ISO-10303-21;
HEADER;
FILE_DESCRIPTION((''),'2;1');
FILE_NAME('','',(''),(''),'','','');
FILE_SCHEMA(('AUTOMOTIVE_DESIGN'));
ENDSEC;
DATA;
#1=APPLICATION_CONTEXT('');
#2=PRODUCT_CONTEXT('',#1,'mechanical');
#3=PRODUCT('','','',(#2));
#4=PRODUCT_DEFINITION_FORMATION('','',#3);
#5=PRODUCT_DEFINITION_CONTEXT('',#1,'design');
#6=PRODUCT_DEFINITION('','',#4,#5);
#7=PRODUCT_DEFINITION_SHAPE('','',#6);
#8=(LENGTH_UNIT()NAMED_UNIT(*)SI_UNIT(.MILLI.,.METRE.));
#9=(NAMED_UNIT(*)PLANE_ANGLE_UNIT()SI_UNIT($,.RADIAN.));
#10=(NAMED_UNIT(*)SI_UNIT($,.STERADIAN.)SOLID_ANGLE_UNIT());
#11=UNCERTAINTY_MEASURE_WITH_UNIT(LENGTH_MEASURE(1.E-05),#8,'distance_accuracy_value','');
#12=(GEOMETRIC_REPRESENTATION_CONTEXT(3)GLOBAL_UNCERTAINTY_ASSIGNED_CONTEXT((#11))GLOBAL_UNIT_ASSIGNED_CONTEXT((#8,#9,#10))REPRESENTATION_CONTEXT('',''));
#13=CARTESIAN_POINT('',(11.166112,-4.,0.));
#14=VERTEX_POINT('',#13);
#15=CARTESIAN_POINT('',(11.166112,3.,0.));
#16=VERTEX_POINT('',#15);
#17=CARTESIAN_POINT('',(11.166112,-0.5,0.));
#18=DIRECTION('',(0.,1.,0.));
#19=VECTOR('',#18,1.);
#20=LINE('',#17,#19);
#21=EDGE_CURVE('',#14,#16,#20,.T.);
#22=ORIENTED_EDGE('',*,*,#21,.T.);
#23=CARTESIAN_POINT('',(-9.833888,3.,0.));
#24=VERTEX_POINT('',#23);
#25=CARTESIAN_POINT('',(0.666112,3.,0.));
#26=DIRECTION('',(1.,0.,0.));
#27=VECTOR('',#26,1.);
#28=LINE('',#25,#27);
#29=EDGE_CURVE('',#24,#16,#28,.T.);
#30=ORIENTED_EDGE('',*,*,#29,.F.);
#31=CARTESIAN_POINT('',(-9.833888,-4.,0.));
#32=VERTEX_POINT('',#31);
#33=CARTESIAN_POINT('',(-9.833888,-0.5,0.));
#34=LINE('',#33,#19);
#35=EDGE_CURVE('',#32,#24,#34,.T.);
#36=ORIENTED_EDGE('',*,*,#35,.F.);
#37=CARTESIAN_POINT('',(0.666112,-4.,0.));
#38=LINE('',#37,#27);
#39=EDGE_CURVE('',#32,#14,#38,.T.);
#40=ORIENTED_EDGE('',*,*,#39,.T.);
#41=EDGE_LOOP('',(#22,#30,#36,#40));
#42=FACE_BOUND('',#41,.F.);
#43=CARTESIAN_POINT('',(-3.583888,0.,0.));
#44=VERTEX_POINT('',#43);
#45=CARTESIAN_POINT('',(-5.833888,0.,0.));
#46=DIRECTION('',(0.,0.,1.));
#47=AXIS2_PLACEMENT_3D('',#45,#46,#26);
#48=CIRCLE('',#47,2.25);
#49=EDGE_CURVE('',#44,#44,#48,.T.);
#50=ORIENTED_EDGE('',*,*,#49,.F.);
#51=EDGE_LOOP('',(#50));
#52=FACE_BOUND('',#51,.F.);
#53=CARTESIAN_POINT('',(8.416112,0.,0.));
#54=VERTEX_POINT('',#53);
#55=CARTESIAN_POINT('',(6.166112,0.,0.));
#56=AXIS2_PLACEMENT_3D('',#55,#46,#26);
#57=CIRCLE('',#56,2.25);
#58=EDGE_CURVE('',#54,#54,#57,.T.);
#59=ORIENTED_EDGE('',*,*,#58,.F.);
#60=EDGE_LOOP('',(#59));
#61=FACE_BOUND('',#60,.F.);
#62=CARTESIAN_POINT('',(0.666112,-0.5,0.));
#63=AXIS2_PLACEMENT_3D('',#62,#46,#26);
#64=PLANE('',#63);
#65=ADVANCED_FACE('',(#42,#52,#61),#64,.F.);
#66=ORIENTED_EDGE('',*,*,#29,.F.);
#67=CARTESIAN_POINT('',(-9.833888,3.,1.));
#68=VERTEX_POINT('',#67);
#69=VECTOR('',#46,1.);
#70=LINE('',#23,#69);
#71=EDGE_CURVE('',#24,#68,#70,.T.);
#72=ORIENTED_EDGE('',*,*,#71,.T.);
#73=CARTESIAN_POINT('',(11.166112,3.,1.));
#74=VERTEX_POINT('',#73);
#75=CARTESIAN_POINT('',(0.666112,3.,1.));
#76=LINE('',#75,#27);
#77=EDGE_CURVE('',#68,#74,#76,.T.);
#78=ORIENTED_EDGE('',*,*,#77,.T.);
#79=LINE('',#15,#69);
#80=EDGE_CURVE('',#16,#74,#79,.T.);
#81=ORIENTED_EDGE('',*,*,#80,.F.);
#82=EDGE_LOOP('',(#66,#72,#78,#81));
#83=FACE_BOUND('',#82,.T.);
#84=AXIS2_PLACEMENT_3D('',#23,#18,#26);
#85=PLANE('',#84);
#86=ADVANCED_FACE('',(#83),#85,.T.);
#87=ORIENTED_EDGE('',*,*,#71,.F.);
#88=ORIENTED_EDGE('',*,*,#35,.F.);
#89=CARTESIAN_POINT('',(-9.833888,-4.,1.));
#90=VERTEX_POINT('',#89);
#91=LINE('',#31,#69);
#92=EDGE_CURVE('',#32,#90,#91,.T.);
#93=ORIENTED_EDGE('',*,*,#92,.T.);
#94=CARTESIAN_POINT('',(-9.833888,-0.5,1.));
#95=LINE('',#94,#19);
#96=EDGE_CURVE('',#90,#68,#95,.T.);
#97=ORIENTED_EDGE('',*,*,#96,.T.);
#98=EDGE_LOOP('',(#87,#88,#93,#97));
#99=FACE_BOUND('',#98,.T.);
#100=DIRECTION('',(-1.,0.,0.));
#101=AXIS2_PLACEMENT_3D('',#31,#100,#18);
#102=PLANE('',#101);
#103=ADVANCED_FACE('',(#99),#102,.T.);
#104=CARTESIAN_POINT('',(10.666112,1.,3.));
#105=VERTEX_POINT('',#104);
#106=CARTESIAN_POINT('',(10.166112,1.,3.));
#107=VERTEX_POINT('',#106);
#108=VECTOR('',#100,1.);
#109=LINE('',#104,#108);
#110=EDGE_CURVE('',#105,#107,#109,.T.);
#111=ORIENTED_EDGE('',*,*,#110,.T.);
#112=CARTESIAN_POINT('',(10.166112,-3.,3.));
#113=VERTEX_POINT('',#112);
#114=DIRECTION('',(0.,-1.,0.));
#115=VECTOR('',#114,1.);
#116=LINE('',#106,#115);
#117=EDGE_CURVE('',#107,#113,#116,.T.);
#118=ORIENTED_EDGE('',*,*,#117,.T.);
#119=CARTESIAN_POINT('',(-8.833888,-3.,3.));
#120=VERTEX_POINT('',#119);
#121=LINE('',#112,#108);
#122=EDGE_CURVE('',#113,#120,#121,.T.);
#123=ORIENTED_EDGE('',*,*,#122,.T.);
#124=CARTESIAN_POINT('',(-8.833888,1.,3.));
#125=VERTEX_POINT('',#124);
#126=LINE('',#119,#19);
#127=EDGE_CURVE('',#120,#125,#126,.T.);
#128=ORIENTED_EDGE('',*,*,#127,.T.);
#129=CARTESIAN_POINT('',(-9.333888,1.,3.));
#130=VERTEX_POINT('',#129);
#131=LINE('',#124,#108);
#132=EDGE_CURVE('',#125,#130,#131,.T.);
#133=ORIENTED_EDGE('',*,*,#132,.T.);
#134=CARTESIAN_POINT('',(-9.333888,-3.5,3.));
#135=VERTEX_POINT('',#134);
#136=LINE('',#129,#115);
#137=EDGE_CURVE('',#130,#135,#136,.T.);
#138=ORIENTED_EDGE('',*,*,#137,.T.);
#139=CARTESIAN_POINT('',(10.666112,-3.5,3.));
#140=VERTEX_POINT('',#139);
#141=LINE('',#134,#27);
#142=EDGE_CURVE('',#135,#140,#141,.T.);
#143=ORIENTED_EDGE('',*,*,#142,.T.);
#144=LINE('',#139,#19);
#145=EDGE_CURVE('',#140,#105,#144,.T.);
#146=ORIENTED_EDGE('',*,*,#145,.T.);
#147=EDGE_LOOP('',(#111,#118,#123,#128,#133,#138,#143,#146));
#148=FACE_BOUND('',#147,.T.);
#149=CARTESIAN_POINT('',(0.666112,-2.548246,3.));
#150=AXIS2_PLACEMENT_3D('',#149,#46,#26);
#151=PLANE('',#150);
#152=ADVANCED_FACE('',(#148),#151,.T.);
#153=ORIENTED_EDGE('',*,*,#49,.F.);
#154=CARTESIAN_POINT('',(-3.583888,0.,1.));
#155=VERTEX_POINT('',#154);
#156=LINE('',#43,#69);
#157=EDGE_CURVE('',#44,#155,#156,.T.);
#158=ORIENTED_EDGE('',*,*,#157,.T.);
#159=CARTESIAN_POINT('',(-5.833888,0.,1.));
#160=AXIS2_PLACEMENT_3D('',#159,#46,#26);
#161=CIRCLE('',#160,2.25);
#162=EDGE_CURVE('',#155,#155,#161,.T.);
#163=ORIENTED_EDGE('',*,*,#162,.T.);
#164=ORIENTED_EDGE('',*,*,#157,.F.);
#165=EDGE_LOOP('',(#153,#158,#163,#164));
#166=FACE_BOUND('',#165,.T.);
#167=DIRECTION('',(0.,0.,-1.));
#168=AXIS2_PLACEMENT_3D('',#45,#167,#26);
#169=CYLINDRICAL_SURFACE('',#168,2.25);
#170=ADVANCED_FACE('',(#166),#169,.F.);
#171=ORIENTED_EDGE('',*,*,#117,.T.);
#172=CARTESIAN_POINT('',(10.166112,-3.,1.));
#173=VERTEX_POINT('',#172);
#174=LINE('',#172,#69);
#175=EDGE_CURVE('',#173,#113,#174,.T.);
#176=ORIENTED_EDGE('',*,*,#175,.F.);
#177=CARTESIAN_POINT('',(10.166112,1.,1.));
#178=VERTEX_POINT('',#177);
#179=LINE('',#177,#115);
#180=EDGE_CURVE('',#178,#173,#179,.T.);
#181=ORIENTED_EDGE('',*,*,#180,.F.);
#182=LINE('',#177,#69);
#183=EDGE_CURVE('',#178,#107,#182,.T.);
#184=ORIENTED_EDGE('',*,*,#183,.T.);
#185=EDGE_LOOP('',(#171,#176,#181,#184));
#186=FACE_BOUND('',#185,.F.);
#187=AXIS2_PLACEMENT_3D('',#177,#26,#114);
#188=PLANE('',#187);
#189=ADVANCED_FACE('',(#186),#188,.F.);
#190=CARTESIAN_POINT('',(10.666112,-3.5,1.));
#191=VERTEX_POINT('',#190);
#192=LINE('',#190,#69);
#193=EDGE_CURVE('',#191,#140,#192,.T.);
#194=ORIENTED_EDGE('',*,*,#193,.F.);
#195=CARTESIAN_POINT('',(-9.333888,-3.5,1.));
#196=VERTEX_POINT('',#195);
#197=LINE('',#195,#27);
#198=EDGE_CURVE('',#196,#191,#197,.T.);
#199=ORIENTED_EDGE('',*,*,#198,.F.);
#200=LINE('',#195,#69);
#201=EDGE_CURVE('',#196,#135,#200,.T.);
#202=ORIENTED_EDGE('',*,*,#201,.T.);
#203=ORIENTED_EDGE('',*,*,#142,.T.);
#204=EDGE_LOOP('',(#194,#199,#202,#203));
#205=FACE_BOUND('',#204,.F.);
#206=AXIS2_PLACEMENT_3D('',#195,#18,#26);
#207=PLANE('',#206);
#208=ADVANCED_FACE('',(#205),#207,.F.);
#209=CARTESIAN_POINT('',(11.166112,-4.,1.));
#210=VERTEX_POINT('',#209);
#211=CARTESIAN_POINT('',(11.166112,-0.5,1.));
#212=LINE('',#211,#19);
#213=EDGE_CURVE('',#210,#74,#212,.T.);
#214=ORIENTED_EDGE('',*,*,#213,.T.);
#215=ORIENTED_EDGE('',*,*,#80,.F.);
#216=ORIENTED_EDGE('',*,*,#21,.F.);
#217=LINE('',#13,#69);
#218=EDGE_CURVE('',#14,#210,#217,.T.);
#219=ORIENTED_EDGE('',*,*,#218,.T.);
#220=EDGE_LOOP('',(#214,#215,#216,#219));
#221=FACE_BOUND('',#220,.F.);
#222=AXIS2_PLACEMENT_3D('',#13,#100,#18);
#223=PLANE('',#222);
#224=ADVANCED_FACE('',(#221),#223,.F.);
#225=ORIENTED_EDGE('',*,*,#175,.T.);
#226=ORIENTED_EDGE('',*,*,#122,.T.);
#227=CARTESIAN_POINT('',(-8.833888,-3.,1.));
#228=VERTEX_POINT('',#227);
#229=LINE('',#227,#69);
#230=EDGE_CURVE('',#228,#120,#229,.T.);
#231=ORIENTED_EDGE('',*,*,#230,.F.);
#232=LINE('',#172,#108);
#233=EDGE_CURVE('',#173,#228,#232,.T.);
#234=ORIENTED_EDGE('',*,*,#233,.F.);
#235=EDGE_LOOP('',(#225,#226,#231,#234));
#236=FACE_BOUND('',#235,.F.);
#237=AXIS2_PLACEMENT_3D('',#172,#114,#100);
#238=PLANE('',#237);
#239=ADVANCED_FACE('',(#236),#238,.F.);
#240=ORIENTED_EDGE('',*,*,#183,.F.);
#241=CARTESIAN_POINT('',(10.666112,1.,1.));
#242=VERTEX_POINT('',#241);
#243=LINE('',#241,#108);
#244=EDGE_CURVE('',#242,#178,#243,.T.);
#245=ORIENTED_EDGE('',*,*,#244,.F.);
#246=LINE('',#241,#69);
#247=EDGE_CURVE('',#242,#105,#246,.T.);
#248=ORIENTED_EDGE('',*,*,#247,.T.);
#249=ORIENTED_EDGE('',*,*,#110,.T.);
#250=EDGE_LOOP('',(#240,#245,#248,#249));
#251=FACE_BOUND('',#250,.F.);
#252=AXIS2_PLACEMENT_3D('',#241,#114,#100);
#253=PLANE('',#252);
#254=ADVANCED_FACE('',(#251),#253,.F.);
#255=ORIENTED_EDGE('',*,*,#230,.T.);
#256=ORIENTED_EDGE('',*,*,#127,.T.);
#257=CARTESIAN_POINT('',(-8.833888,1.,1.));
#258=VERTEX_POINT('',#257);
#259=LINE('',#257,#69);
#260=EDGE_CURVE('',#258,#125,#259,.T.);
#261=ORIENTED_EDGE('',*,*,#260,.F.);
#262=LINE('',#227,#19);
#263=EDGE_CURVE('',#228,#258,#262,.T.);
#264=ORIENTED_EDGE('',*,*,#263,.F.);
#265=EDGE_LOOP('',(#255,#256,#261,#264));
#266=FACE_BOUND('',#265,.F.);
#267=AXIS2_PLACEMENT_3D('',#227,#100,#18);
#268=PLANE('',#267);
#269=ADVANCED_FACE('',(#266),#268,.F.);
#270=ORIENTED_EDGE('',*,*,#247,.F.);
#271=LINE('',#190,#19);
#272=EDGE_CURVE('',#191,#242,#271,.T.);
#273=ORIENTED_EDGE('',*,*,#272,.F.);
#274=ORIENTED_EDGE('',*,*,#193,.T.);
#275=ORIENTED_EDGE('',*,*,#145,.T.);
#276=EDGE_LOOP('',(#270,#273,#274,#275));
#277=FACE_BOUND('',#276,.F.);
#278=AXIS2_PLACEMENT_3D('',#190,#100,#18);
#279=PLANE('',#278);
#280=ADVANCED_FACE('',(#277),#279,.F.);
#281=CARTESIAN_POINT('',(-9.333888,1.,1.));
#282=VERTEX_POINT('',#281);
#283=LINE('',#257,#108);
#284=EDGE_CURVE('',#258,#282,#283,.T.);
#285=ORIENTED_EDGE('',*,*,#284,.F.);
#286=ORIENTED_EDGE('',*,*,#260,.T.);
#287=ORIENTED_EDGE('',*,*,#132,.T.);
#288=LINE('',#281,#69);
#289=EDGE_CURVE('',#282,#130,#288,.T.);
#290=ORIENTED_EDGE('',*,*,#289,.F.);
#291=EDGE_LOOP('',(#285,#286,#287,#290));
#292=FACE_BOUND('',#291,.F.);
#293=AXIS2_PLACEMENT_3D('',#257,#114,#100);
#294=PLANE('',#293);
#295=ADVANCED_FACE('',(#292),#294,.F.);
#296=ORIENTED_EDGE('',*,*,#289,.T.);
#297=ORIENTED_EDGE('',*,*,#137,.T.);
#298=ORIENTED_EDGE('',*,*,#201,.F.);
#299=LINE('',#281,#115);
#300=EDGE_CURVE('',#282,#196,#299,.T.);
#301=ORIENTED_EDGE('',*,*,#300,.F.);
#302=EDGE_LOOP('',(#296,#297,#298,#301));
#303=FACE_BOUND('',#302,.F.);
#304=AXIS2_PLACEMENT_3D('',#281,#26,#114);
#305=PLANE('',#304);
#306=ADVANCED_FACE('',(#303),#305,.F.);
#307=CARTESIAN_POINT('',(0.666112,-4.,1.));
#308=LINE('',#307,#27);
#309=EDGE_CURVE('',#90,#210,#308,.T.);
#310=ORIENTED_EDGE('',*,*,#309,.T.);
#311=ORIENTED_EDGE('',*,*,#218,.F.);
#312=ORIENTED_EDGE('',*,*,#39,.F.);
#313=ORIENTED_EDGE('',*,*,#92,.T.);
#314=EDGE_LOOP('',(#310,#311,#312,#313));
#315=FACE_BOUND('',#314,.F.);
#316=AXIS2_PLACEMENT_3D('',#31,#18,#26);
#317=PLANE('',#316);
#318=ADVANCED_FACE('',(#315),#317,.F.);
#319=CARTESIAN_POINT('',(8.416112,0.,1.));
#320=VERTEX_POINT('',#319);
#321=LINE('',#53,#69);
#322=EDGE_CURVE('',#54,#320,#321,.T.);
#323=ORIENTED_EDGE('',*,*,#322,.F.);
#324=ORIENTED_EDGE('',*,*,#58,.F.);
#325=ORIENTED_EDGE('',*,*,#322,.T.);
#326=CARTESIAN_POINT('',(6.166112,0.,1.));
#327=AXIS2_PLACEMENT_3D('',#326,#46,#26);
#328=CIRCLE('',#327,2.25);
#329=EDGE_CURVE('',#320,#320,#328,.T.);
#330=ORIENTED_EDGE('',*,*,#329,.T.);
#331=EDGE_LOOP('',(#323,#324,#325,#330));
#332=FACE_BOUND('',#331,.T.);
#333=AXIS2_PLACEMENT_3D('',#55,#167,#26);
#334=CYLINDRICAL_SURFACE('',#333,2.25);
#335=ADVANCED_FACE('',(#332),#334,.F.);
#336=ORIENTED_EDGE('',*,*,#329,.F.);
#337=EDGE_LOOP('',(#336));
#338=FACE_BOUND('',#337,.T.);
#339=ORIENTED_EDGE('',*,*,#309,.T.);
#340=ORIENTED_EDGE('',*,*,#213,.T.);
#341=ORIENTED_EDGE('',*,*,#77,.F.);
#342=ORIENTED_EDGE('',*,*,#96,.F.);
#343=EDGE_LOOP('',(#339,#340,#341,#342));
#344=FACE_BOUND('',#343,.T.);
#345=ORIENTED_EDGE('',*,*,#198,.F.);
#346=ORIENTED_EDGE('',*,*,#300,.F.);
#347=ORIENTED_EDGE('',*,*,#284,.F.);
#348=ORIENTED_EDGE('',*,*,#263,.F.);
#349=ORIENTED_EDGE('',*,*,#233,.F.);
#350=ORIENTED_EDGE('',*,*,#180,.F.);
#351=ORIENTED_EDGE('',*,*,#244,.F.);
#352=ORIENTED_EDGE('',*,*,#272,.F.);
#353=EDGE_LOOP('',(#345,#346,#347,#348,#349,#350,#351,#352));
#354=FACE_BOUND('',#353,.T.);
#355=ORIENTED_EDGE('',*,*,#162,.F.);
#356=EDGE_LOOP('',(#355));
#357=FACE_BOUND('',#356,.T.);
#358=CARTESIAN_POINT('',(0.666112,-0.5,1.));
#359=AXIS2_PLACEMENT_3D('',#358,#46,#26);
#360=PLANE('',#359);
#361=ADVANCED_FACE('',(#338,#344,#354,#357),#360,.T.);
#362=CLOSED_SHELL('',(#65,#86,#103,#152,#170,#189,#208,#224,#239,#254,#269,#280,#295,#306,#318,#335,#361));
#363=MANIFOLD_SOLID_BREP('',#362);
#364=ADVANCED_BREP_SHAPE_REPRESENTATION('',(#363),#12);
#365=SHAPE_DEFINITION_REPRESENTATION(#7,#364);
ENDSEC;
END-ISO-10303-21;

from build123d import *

# Parameters (mm, degrees)
F0_W     = 21
F0_H     = 7
F0_R     = 2.25
F1_DEPTH = 1
F3_DEPTH = 2


with BuildPart() as f1:
    # F0 (on Top) → F1 (new body)
    with BuildSketch(Plane.XY):
        with Locations((0.666112, -0.5)):
            Rectangle(F0_W, F0_H)
        with Locations((-5.833888, 0)):
            Circle(F0_R, mode=Mode.SUBTRACT)
        with Locations((6.166112, 0)):
            Circle(F0_R, mode=Mode.SUBTRACT)
    extrude(amount=F1_DEPTH)

    # F2 (on face) → F3 (join)
    with BuildSketch(Plane.XY.offset(1)):
        Polygon((-8.833888, -3), (-8.833888, 1), (-9.333888, 1), (-9.333888, -3.5), (10.666112, -3.5), (10.666112, 1), (10.166112, 1), (10.166112, -3), align=None)
    extrude(amount=F3_DEPTH)


solid = f1.part
